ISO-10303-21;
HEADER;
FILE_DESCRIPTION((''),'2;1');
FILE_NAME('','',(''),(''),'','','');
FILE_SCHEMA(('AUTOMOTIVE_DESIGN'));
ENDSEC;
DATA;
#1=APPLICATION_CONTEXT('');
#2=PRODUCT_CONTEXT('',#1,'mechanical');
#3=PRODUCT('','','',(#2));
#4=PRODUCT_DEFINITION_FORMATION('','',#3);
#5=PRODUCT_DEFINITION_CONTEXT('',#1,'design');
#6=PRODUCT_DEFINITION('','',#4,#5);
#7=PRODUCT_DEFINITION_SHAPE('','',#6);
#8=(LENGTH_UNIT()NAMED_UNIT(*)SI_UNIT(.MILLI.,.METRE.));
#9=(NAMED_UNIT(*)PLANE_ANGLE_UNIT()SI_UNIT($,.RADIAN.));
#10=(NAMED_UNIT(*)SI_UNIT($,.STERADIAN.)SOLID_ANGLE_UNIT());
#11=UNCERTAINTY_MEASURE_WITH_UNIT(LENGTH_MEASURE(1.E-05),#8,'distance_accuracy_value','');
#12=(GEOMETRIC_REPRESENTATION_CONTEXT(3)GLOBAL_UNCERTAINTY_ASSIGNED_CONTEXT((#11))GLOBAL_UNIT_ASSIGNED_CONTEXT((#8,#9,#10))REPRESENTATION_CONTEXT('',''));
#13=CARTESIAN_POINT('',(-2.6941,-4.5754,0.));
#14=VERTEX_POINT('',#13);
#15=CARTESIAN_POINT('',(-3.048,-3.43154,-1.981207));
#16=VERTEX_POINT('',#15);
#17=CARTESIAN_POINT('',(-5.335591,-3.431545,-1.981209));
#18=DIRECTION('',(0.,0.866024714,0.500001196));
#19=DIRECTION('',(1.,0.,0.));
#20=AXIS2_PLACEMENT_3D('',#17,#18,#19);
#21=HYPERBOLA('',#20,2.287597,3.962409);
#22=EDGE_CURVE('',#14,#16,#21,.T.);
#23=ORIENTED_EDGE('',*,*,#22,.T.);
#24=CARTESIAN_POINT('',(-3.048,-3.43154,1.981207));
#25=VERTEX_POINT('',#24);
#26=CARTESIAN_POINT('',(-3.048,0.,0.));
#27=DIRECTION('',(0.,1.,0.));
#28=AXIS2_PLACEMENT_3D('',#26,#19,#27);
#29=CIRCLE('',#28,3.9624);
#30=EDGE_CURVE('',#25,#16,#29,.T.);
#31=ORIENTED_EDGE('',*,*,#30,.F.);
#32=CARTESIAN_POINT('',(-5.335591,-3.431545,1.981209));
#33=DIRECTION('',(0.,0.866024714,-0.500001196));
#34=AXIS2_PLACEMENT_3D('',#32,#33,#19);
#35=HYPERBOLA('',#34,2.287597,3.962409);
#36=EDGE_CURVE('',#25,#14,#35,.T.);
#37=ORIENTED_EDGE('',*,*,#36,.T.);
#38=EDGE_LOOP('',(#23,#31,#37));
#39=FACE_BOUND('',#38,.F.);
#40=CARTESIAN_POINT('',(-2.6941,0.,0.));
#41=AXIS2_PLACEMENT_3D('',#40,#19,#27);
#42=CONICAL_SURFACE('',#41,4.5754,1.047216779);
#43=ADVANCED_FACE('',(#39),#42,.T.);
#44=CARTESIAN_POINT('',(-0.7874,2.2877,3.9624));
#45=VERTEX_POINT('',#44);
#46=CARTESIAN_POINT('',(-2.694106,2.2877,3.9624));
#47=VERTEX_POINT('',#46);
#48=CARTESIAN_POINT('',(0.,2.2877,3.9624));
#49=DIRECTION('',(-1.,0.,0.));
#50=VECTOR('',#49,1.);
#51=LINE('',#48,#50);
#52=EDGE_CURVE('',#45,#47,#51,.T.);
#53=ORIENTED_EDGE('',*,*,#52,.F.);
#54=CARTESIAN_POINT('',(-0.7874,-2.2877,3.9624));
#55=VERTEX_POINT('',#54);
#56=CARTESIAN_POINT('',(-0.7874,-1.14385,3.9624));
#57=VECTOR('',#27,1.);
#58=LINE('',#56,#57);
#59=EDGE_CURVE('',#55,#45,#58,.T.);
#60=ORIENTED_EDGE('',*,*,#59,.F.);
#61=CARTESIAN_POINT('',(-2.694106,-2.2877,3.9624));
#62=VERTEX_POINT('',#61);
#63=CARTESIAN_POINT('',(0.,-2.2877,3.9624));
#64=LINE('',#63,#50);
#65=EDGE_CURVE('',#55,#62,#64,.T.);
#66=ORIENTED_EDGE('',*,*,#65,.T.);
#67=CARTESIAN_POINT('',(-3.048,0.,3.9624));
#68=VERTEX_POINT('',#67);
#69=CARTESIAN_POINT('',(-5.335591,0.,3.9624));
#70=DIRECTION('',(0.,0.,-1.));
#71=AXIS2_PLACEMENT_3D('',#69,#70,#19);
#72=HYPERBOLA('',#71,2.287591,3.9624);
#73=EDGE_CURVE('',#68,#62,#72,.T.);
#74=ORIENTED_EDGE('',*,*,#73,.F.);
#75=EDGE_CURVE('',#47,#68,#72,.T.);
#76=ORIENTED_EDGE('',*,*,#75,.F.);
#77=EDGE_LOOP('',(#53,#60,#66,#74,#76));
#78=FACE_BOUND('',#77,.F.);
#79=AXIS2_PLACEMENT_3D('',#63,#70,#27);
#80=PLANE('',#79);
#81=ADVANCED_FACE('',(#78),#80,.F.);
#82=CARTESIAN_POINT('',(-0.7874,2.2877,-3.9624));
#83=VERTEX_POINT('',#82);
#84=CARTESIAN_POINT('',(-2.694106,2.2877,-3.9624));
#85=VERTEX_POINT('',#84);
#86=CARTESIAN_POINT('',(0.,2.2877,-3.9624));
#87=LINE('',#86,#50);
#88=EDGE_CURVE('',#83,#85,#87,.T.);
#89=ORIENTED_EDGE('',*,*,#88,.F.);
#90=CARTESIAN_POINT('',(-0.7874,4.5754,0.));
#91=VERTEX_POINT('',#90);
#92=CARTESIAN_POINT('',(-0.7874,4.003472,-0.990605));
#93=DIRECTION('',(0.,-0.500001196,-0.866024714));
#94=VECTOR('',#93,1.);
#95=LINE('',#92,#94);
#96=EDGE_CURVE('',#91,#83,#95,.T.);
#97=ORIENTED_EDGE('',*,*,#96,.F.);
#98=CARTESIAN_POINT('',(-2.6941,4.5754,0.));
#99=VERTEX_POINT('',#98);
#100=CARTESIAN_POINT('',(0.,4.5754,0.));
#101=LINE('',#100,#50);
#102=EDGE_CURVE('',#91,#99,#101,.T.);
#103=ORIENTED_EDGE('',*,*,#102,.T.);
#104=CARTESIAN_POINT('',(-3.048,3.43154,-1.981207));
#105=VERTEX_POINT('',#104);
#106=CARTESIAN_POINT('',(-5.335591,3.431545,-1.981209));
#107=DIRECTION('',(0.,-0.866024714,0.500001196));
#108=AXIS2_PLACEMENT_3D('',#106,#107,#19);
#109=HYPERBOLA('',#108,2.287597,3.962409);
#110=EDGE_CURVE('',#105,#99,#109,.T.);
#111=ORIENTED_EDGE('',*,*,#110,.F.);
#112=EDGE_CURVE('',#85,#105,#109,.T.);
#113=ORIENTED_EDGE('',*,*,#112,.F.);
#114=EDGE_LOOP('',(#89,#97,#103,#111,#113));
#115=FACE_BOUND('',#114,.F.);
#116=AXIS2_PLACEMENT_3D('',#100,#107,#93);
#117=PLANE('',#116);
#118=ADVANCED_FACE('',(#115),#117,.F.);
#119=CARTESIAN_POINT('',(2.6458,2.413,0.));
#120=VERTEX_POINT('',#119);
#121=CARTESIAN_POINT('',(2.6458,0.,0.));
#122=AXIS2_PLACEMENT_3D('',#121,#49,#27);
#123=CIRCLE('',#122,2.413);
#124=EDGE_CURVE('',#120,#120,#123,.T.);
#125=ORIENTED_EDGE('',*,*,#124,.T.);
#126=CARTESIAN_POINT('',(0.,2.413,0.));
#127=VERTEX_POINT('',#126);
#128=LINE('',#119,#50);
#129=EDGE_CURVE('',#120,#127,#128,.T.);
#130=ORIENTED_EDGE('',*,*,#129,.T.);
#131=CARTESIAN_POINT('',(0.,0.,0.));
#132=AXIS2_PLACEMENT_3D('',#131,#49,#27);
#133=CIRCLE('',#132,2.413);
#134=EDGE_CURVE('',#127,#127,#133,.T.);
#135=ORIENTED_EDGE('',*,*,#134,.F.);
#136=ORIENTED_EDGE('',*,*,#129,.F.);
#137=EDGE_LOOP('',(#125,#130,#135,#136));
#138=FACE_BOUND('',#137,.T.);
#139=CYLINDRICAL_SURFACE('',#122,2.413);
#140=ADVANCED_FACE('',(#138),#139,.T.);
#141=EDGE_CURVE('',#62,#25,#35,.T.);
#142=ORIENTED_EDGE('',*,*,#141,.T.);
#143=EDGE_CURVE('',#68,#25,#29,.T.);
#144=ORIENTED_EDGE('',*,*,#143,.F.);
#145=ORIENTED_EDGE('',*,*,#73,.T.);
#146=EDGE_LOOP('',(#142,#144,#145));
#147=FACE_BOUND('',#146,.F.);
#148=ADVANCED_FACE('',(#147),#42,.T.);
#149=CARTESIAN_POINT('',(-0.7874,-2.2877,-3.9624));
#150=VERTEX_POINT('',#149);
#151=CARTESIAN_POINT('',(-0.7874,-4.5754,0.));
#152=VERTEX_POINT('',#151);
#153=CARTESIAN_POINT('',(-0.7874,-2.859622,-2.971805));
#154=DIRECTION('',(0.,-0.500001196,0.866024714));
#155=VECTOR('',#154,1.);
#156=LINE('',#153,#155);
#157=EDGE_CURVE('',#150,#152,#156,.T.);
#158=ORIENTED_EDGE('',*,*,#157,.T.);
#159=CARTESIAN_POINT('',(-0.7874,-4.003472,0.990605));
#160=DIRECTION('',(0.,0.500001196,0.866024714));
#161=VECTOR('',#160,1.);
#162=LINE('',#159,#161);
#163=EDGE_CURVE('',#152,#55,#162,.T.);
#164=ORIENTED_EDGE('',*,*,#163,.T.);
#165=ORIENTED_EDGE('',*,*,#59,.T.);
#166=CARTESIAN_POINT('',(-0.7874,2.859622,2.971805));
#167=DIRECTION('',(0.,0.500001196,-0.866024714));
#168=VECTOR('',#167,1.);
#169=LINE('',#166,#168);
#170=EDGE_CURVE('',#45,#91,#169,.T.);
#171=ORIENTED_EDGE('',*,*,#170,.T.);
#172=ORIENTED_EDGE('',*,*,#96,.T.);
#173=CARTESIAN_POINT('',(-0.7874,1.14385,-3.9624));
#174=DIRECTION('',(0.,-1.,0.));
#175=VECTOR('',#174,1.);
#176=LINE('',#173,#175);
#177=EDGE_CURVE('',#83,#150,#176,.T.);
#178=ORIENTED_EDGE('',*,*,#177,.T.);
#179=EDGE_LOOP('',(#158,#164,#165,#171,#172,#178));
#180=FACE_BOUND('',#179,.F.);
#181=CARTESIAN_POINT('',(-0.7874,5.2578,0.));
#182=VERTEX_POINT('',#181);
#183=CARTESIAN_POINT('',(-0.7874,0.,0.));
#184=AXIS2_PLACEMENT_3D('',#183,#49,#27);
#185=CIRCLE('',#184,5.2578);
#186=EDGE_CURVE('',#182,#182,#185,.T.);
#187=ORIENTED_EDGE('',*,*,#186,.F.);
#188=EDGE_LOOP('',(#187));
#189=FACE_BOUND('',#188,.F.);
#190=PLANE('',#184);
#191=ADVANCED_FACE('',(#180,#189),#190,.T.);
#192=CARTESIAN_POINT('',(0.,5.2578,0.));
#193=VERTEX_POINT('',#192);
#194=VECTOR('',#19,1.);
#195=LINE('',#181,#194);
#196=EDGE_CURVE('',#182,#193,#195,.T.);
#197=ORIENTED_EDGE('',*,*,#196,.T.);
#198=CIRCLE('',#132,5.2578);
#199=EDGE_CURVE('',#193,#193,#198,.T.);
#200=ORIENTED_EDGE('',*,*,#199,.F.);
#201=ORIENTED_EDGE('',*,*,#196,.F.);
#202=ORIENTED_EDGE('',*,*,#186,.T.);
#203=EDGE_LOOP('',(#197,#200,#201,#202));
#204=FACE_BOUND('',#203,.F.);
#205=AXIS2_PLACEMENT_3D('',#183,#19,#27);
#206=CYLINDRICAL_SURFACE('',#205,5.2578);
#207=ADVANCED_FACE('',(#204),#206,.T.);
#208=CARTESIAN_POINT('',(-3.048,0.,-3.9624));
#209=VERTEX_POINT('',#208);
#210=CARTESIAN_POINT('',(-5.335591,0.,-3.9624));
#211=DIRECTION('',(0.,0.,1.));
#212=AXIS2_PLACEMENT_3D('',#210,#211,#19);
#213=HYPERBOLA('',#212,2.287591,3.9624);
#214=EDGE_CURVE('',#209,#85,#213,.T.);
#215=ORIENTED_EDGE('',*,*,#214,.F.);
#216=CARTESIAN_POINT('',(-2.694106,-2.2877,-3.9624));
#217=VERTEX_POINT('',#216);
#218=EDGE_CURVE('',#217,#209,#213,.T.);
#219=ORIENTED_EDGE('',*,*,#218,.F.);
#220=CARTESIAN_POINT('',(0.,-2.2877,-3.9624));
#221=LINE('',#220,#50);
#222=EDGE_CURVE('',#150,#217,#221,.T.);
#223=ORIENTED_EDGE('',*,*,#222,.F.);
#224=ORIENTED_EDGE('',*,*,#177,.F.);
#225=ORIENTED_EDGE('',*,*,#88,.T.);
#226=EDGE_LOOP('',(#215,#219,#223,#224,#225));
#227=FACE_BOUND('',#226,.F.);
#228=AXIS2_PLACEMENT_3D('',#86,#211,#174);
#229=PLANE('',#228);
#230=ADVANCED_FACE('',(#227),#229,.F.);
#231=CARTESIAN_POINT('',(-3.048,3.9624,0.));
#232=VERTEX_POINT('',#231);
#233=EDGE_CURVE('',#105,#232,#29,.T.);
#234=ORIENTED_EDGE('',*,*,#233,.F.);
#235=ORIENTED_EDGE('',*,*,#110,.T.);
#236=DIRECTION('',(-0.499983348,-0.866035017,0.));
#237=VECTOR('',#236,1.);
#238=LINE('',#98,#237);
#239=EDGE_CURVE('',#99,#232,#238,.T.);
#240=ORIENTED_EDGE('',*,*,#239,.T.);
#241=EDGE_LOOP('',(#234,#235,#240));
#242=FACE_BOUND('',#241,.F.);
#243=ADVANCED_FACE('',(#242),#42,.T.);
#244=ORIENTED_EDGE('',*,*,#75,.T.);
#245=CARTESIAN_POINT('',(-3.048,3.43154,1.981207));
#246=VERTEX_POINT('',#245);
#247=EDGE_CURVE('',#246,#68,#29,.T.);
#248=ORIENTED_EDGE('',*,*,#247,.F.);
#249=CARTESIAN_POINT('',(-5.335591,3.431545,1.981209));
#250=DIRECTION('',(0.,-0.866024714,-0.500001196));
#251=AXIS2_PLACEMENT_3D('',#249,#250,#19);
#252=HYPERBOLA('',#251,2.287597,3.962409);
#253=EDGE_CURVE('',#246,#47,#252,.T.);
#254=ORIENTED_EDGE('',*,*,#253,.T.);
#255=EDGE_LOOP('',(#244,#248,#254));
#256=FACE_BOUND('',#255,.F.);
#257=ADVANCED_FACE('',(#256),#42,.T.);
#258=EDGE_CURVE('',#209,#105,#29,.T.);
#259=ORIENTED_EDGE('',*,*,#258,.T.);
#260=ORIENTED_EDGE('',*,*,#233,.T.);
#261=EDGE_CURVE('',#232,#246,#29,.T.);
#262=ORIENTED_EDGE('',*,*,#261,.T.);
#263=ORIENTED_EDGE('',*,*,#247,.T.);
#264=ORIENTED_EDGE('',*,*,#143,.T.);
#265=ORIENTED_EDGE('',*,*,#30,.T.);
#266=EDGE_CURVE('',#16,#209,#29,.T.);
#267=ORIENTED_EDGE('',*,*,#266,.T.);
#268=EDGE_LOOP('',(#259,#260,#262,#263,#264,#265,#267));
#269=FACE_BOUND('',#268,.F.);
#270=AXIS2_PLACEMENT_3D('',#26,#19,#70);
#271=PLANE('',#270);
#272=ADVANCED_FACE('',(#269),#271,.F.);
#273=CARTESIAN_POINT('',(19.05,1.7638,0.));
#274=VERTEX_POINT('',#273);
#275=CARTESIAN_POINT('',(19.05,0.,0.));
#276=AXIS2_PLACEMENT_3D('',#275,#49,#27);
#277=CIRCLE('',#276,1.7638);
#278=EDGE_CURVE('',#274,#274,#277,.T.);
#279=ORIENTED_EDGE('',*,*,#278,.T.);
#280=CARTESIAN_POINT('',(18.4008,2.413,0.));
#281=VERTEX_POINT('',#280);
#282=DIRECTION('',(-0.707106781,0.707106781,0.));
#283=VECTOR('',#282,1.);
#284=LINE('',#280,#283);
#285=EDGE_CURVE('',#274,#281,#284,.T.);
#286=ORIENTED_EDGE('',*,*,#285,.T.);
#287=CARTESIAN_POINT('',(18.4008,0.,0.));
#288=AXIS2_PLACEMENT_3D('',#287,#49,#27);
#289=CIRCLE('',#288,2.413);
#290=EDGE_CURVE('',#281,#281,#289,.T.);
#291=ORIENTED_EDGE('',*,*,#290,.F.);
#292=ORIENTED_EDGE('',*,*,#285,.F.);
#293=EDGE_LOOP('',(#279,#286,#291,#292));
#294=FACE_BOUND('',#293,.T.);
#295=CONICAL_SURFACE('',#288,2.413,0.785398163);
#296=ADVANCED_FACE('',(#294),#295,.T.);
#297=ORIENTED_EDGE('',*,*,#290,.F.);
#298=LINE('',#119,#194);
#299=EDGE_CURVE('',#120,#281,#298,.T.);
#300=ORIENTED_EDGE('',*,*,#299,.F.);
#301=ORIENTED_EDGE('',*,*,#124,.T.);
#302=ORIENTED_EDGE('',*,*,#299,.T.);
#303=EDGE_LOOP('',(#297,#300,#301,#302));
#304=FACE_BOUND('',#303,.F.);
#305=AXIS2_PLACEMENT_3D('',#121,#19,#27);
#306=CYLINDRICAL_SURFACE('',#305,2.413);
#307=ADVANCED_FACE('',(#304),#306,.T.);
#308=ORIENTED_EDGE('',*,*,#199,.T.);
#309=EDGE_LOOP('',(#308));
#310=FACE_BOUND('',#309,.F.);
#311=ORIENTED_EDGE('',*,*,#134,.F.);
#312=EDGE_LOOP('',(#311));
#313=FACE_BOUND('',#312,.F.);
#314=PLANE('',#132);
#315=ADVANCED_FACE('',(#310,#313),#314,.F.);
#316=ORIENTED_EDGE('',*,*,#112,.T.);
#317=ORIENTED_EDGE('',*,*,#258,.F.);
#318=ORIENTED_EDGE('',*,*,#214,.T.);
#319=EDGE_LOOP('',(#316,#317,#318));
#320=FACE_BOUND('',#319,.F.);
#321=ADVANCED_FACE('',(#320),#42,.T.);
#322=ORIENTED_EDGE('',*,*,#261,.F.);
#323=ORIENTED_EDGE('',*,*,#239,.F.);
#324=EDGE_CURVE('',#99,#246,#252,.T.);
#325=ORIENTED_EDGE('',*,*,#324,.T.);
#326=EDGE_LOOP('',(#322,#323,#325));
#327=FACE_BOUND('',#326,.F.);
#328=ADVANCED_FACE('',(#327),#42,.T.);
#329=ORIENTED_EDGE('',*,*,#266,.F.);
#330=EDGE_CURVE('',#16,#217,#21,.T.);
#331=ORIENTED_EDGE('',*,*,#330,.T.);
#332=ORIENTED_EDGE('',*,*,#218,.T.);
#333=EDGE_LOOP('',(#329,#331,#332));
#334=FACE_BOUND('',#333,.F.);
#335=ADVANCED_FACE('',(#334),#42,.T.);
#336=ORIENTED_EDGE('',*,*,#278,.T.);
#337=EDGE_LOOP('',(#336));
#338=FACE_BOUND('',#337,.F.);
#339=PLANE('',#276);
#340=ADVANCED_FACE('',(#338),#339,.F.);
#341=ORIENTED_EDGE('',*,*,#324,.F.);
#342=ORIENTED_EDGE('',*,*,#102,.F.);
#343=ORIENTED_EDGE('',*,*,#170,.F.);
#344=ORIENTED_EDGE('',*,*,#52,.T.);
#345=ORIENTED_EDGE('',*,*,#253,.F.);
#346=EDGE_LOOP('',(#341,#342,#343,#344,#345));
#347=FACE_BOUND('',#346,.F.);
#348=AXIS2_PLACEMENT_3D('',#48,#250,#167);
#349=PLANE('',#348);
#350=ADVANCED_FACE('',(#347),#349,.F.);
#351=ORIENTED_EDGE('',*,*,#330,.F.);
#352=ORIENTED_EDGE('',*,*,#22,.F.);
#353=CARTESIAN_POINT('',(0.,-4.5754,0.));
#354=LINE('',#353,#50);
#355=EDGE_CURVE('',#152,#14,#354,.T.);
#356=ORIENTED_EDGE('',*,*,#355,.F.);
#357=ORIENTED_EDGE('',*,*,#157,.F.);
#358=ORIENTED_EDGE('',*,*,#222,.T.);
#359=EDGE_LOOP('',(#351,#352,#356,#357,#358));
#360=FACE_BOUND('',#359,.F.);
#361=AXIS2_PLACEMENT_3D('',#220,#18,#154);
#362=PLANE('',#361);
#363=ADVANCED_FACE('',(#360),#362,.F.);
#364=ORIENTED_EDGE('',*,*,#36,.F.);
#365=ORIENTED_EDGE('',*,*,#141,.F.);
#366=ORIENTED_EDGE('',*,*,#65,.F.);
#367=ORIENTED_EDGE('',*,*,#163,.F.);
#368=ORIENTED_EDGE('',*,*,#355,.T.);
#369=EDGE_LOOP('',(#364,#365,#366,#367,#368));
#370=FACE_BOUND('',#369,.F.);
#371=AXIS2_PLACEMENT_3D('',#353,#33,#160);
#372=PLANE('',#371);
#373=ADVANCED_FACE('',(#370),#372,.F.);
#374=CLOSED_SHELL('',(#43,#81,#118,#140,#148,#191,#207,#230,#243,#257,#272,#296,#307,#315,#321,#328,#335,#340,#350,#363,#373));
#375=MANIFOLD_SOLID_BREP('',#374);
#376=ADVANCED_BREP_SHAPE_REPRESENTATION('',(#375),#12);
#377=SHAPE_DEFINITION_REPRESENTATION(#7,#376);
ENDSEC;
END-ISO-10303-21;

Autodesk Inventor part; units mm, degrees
ref_plane "YZ Plane" through (0, 0, 0) normal (1, 0, 0) x (0, 1, 0)
ref_plane "XZ Plane" through (0, 0, 0) normal (0, 1, 0) x (-1, 0, 0)
sketch "Sketch1" plane through (0, 0, 0) normal (0, 0, 1) x (1, 0, 0)
  line L0 (0, 5.2578) -> (0, 2.413)
  line L1 (2.6458, 2.413) -> (19.05, 2.413)
  line L2 (19.05, 2.413) -> (19.05, 0)
  line L3 (19.05, 0) -> (-0.7874, 0)
  line L4 (0, -1.0516) -> (0, 6.3094) projected
  line L5 (-4.7549, 0) -> (23.0175, 0) projected
  line L6 (-0.7874, 0) -> (-0.7874, 5.2578)
  line L7 (-0.7874, 5.2578) -> (0, 5.2578)
  line L8 (2.6458, 2.413) -> (0, 2.413)
  line L9 (0, 2.413) -> (0, 2.413)
  dimension "d0" = 19.05
  dimension "d1" = 16.4042
  dimension "d2" = 4.826
  dimension "d8" = 0.7874
  dimension "d9" = 10.5156
  dimension "d15" = 4.826
  dimension "d16" = 2.6458
revolve "Body" add sketch "Sketch1" angle 360 about axis through (19.05, 0, 0) along (-1, 0, 0)
sketch "Sketch2" plane through (0, 0, 0) normal (1, 0, 0) x (0, 0, -1)
  circle A0 centre (0, 0) radius 5.2578 projected
  line L0 (0, 4.5754) -> (3.9624, 2.2877)
  line L1 (3.9624, 2.2877) -> (3.9624, -2.2877)
  line L2 (3.9624, -2.2877) -> (0, -4.5754)
  line L3 (0, -4.5754) -> (-3.9624, -2.2877)
  line L4 (-3.9624, -2.2877) -> (-3.9624, 2.2877)
  line L5 (-3.9624, 2.2877) -> (0, 4.5754)
  circle A1 centre (0, 0) radius 5.2578 projected
  dimension "d10" = 7.9248
extrude "Head" add sketch "Sketch2" against normal blind 3.048 contours L0 L1 L2 L3 L4 L5
sketch "Sketch3" plane through (0, 0, 0) normal (0, 0, 1) x (1, 0, 0)
  line L0 (-3.048, 3.9624) -> (-3.048, 4.5754)
  line L1 (-3.048, 4.5754) -> (-2.6941, 4.5754)
  line L2 (-2.6941, 4.5754) -> (-3.048, 3.9624)
  line L3 (-2.0219, 4.5754) -> (-3.048, 4.5754)
  line L4 (-3.048, 4.5754) -> (-3.048, 2.266)
  line L5 (-0.7874, 4.5754) -> (-3.048, 4.5754) projected
  line L6 (-3.048, 4.5754) -> (-3.048, 2.2877) projected
  line L7 (-3.5001, 0) -> (-0.3353, 0) projected
  dimension "d5" = 30
  dimension "d18" = 7.9248
revolve "Chamfer1" cut sketch "Sketch3" angle 360 about axis through (-10, 0, 0) along (1, 0, 0)
thread "Thread" size "10-24 UNC" class "2A" standard "ANSI Unified Screw Threads" length 16.4042
chamfer "Chamfer2" distance 0.6492 distance2 0.6492 1 edges at (19.05, -2.413, 0) measured on face at (19.05, -0.4919, 0.3738)
ref_plane "Work Plane1" through (3.5, 0, 0) normal (0, 0, 1) x (1, 0, 0)
equation "\"d10\" = SW"
equation "\"d3\" = KOH"
equation "\"d13\" = GEL"
equation "\"d6\" = -0.5 * SPD + 0.5 * GD"
equation "\"d7\" = -0.5 * SPD + 0.5 * GD"
equation "\"d0\" = NLG"
equation "\"d1\" = GEL"
equation "\"d2\" = GD"
equation "\"d8\" = PHH"
equation "\"d9\" = LADI"
equation "\"d15\" = BDM"
equation "\"d16\" = GAL"
equation "\"d5\" = ANG1"
equation "\"d18\" = SW0"
equation "\"NLG\" = 19.05"
equation "\"GD\" = NND"
equation "\"BDM\" = NND"
equation "\"KOH\" = 3.048"
equation "\"GEL\" = 16.40416"
equation "\"LADI\" = 10.5156"
equation "\"SW\" = 7.9248"
equation "\"PHH\" = 0.7874"
equation "\"SW0\" = 7.9248"
equation "\"SPD\" = GD1"
equation "\"ANG1\" = 30deg"
equation "\"GAL\" = 2.64584"
equation "\"GUL\" = GAL"
equation "\"GD1\" = 3.52753"
equation "\"THREADDIA\" = 4.826"
equation "\"SDH\" = SW"
equation "\"TOA\" = 30deg"
equation "\"RR\" = 0.04826"
equation "\"NND\" = 4.826"
equation "\"SD\" = 0"
equation "\"SD2\" = NND"
equation "\"E0\" = 8.636"
properties part number "ANSI B18.6.3 - 10-24 UNC x 0.75" material "Steel, Mild"
